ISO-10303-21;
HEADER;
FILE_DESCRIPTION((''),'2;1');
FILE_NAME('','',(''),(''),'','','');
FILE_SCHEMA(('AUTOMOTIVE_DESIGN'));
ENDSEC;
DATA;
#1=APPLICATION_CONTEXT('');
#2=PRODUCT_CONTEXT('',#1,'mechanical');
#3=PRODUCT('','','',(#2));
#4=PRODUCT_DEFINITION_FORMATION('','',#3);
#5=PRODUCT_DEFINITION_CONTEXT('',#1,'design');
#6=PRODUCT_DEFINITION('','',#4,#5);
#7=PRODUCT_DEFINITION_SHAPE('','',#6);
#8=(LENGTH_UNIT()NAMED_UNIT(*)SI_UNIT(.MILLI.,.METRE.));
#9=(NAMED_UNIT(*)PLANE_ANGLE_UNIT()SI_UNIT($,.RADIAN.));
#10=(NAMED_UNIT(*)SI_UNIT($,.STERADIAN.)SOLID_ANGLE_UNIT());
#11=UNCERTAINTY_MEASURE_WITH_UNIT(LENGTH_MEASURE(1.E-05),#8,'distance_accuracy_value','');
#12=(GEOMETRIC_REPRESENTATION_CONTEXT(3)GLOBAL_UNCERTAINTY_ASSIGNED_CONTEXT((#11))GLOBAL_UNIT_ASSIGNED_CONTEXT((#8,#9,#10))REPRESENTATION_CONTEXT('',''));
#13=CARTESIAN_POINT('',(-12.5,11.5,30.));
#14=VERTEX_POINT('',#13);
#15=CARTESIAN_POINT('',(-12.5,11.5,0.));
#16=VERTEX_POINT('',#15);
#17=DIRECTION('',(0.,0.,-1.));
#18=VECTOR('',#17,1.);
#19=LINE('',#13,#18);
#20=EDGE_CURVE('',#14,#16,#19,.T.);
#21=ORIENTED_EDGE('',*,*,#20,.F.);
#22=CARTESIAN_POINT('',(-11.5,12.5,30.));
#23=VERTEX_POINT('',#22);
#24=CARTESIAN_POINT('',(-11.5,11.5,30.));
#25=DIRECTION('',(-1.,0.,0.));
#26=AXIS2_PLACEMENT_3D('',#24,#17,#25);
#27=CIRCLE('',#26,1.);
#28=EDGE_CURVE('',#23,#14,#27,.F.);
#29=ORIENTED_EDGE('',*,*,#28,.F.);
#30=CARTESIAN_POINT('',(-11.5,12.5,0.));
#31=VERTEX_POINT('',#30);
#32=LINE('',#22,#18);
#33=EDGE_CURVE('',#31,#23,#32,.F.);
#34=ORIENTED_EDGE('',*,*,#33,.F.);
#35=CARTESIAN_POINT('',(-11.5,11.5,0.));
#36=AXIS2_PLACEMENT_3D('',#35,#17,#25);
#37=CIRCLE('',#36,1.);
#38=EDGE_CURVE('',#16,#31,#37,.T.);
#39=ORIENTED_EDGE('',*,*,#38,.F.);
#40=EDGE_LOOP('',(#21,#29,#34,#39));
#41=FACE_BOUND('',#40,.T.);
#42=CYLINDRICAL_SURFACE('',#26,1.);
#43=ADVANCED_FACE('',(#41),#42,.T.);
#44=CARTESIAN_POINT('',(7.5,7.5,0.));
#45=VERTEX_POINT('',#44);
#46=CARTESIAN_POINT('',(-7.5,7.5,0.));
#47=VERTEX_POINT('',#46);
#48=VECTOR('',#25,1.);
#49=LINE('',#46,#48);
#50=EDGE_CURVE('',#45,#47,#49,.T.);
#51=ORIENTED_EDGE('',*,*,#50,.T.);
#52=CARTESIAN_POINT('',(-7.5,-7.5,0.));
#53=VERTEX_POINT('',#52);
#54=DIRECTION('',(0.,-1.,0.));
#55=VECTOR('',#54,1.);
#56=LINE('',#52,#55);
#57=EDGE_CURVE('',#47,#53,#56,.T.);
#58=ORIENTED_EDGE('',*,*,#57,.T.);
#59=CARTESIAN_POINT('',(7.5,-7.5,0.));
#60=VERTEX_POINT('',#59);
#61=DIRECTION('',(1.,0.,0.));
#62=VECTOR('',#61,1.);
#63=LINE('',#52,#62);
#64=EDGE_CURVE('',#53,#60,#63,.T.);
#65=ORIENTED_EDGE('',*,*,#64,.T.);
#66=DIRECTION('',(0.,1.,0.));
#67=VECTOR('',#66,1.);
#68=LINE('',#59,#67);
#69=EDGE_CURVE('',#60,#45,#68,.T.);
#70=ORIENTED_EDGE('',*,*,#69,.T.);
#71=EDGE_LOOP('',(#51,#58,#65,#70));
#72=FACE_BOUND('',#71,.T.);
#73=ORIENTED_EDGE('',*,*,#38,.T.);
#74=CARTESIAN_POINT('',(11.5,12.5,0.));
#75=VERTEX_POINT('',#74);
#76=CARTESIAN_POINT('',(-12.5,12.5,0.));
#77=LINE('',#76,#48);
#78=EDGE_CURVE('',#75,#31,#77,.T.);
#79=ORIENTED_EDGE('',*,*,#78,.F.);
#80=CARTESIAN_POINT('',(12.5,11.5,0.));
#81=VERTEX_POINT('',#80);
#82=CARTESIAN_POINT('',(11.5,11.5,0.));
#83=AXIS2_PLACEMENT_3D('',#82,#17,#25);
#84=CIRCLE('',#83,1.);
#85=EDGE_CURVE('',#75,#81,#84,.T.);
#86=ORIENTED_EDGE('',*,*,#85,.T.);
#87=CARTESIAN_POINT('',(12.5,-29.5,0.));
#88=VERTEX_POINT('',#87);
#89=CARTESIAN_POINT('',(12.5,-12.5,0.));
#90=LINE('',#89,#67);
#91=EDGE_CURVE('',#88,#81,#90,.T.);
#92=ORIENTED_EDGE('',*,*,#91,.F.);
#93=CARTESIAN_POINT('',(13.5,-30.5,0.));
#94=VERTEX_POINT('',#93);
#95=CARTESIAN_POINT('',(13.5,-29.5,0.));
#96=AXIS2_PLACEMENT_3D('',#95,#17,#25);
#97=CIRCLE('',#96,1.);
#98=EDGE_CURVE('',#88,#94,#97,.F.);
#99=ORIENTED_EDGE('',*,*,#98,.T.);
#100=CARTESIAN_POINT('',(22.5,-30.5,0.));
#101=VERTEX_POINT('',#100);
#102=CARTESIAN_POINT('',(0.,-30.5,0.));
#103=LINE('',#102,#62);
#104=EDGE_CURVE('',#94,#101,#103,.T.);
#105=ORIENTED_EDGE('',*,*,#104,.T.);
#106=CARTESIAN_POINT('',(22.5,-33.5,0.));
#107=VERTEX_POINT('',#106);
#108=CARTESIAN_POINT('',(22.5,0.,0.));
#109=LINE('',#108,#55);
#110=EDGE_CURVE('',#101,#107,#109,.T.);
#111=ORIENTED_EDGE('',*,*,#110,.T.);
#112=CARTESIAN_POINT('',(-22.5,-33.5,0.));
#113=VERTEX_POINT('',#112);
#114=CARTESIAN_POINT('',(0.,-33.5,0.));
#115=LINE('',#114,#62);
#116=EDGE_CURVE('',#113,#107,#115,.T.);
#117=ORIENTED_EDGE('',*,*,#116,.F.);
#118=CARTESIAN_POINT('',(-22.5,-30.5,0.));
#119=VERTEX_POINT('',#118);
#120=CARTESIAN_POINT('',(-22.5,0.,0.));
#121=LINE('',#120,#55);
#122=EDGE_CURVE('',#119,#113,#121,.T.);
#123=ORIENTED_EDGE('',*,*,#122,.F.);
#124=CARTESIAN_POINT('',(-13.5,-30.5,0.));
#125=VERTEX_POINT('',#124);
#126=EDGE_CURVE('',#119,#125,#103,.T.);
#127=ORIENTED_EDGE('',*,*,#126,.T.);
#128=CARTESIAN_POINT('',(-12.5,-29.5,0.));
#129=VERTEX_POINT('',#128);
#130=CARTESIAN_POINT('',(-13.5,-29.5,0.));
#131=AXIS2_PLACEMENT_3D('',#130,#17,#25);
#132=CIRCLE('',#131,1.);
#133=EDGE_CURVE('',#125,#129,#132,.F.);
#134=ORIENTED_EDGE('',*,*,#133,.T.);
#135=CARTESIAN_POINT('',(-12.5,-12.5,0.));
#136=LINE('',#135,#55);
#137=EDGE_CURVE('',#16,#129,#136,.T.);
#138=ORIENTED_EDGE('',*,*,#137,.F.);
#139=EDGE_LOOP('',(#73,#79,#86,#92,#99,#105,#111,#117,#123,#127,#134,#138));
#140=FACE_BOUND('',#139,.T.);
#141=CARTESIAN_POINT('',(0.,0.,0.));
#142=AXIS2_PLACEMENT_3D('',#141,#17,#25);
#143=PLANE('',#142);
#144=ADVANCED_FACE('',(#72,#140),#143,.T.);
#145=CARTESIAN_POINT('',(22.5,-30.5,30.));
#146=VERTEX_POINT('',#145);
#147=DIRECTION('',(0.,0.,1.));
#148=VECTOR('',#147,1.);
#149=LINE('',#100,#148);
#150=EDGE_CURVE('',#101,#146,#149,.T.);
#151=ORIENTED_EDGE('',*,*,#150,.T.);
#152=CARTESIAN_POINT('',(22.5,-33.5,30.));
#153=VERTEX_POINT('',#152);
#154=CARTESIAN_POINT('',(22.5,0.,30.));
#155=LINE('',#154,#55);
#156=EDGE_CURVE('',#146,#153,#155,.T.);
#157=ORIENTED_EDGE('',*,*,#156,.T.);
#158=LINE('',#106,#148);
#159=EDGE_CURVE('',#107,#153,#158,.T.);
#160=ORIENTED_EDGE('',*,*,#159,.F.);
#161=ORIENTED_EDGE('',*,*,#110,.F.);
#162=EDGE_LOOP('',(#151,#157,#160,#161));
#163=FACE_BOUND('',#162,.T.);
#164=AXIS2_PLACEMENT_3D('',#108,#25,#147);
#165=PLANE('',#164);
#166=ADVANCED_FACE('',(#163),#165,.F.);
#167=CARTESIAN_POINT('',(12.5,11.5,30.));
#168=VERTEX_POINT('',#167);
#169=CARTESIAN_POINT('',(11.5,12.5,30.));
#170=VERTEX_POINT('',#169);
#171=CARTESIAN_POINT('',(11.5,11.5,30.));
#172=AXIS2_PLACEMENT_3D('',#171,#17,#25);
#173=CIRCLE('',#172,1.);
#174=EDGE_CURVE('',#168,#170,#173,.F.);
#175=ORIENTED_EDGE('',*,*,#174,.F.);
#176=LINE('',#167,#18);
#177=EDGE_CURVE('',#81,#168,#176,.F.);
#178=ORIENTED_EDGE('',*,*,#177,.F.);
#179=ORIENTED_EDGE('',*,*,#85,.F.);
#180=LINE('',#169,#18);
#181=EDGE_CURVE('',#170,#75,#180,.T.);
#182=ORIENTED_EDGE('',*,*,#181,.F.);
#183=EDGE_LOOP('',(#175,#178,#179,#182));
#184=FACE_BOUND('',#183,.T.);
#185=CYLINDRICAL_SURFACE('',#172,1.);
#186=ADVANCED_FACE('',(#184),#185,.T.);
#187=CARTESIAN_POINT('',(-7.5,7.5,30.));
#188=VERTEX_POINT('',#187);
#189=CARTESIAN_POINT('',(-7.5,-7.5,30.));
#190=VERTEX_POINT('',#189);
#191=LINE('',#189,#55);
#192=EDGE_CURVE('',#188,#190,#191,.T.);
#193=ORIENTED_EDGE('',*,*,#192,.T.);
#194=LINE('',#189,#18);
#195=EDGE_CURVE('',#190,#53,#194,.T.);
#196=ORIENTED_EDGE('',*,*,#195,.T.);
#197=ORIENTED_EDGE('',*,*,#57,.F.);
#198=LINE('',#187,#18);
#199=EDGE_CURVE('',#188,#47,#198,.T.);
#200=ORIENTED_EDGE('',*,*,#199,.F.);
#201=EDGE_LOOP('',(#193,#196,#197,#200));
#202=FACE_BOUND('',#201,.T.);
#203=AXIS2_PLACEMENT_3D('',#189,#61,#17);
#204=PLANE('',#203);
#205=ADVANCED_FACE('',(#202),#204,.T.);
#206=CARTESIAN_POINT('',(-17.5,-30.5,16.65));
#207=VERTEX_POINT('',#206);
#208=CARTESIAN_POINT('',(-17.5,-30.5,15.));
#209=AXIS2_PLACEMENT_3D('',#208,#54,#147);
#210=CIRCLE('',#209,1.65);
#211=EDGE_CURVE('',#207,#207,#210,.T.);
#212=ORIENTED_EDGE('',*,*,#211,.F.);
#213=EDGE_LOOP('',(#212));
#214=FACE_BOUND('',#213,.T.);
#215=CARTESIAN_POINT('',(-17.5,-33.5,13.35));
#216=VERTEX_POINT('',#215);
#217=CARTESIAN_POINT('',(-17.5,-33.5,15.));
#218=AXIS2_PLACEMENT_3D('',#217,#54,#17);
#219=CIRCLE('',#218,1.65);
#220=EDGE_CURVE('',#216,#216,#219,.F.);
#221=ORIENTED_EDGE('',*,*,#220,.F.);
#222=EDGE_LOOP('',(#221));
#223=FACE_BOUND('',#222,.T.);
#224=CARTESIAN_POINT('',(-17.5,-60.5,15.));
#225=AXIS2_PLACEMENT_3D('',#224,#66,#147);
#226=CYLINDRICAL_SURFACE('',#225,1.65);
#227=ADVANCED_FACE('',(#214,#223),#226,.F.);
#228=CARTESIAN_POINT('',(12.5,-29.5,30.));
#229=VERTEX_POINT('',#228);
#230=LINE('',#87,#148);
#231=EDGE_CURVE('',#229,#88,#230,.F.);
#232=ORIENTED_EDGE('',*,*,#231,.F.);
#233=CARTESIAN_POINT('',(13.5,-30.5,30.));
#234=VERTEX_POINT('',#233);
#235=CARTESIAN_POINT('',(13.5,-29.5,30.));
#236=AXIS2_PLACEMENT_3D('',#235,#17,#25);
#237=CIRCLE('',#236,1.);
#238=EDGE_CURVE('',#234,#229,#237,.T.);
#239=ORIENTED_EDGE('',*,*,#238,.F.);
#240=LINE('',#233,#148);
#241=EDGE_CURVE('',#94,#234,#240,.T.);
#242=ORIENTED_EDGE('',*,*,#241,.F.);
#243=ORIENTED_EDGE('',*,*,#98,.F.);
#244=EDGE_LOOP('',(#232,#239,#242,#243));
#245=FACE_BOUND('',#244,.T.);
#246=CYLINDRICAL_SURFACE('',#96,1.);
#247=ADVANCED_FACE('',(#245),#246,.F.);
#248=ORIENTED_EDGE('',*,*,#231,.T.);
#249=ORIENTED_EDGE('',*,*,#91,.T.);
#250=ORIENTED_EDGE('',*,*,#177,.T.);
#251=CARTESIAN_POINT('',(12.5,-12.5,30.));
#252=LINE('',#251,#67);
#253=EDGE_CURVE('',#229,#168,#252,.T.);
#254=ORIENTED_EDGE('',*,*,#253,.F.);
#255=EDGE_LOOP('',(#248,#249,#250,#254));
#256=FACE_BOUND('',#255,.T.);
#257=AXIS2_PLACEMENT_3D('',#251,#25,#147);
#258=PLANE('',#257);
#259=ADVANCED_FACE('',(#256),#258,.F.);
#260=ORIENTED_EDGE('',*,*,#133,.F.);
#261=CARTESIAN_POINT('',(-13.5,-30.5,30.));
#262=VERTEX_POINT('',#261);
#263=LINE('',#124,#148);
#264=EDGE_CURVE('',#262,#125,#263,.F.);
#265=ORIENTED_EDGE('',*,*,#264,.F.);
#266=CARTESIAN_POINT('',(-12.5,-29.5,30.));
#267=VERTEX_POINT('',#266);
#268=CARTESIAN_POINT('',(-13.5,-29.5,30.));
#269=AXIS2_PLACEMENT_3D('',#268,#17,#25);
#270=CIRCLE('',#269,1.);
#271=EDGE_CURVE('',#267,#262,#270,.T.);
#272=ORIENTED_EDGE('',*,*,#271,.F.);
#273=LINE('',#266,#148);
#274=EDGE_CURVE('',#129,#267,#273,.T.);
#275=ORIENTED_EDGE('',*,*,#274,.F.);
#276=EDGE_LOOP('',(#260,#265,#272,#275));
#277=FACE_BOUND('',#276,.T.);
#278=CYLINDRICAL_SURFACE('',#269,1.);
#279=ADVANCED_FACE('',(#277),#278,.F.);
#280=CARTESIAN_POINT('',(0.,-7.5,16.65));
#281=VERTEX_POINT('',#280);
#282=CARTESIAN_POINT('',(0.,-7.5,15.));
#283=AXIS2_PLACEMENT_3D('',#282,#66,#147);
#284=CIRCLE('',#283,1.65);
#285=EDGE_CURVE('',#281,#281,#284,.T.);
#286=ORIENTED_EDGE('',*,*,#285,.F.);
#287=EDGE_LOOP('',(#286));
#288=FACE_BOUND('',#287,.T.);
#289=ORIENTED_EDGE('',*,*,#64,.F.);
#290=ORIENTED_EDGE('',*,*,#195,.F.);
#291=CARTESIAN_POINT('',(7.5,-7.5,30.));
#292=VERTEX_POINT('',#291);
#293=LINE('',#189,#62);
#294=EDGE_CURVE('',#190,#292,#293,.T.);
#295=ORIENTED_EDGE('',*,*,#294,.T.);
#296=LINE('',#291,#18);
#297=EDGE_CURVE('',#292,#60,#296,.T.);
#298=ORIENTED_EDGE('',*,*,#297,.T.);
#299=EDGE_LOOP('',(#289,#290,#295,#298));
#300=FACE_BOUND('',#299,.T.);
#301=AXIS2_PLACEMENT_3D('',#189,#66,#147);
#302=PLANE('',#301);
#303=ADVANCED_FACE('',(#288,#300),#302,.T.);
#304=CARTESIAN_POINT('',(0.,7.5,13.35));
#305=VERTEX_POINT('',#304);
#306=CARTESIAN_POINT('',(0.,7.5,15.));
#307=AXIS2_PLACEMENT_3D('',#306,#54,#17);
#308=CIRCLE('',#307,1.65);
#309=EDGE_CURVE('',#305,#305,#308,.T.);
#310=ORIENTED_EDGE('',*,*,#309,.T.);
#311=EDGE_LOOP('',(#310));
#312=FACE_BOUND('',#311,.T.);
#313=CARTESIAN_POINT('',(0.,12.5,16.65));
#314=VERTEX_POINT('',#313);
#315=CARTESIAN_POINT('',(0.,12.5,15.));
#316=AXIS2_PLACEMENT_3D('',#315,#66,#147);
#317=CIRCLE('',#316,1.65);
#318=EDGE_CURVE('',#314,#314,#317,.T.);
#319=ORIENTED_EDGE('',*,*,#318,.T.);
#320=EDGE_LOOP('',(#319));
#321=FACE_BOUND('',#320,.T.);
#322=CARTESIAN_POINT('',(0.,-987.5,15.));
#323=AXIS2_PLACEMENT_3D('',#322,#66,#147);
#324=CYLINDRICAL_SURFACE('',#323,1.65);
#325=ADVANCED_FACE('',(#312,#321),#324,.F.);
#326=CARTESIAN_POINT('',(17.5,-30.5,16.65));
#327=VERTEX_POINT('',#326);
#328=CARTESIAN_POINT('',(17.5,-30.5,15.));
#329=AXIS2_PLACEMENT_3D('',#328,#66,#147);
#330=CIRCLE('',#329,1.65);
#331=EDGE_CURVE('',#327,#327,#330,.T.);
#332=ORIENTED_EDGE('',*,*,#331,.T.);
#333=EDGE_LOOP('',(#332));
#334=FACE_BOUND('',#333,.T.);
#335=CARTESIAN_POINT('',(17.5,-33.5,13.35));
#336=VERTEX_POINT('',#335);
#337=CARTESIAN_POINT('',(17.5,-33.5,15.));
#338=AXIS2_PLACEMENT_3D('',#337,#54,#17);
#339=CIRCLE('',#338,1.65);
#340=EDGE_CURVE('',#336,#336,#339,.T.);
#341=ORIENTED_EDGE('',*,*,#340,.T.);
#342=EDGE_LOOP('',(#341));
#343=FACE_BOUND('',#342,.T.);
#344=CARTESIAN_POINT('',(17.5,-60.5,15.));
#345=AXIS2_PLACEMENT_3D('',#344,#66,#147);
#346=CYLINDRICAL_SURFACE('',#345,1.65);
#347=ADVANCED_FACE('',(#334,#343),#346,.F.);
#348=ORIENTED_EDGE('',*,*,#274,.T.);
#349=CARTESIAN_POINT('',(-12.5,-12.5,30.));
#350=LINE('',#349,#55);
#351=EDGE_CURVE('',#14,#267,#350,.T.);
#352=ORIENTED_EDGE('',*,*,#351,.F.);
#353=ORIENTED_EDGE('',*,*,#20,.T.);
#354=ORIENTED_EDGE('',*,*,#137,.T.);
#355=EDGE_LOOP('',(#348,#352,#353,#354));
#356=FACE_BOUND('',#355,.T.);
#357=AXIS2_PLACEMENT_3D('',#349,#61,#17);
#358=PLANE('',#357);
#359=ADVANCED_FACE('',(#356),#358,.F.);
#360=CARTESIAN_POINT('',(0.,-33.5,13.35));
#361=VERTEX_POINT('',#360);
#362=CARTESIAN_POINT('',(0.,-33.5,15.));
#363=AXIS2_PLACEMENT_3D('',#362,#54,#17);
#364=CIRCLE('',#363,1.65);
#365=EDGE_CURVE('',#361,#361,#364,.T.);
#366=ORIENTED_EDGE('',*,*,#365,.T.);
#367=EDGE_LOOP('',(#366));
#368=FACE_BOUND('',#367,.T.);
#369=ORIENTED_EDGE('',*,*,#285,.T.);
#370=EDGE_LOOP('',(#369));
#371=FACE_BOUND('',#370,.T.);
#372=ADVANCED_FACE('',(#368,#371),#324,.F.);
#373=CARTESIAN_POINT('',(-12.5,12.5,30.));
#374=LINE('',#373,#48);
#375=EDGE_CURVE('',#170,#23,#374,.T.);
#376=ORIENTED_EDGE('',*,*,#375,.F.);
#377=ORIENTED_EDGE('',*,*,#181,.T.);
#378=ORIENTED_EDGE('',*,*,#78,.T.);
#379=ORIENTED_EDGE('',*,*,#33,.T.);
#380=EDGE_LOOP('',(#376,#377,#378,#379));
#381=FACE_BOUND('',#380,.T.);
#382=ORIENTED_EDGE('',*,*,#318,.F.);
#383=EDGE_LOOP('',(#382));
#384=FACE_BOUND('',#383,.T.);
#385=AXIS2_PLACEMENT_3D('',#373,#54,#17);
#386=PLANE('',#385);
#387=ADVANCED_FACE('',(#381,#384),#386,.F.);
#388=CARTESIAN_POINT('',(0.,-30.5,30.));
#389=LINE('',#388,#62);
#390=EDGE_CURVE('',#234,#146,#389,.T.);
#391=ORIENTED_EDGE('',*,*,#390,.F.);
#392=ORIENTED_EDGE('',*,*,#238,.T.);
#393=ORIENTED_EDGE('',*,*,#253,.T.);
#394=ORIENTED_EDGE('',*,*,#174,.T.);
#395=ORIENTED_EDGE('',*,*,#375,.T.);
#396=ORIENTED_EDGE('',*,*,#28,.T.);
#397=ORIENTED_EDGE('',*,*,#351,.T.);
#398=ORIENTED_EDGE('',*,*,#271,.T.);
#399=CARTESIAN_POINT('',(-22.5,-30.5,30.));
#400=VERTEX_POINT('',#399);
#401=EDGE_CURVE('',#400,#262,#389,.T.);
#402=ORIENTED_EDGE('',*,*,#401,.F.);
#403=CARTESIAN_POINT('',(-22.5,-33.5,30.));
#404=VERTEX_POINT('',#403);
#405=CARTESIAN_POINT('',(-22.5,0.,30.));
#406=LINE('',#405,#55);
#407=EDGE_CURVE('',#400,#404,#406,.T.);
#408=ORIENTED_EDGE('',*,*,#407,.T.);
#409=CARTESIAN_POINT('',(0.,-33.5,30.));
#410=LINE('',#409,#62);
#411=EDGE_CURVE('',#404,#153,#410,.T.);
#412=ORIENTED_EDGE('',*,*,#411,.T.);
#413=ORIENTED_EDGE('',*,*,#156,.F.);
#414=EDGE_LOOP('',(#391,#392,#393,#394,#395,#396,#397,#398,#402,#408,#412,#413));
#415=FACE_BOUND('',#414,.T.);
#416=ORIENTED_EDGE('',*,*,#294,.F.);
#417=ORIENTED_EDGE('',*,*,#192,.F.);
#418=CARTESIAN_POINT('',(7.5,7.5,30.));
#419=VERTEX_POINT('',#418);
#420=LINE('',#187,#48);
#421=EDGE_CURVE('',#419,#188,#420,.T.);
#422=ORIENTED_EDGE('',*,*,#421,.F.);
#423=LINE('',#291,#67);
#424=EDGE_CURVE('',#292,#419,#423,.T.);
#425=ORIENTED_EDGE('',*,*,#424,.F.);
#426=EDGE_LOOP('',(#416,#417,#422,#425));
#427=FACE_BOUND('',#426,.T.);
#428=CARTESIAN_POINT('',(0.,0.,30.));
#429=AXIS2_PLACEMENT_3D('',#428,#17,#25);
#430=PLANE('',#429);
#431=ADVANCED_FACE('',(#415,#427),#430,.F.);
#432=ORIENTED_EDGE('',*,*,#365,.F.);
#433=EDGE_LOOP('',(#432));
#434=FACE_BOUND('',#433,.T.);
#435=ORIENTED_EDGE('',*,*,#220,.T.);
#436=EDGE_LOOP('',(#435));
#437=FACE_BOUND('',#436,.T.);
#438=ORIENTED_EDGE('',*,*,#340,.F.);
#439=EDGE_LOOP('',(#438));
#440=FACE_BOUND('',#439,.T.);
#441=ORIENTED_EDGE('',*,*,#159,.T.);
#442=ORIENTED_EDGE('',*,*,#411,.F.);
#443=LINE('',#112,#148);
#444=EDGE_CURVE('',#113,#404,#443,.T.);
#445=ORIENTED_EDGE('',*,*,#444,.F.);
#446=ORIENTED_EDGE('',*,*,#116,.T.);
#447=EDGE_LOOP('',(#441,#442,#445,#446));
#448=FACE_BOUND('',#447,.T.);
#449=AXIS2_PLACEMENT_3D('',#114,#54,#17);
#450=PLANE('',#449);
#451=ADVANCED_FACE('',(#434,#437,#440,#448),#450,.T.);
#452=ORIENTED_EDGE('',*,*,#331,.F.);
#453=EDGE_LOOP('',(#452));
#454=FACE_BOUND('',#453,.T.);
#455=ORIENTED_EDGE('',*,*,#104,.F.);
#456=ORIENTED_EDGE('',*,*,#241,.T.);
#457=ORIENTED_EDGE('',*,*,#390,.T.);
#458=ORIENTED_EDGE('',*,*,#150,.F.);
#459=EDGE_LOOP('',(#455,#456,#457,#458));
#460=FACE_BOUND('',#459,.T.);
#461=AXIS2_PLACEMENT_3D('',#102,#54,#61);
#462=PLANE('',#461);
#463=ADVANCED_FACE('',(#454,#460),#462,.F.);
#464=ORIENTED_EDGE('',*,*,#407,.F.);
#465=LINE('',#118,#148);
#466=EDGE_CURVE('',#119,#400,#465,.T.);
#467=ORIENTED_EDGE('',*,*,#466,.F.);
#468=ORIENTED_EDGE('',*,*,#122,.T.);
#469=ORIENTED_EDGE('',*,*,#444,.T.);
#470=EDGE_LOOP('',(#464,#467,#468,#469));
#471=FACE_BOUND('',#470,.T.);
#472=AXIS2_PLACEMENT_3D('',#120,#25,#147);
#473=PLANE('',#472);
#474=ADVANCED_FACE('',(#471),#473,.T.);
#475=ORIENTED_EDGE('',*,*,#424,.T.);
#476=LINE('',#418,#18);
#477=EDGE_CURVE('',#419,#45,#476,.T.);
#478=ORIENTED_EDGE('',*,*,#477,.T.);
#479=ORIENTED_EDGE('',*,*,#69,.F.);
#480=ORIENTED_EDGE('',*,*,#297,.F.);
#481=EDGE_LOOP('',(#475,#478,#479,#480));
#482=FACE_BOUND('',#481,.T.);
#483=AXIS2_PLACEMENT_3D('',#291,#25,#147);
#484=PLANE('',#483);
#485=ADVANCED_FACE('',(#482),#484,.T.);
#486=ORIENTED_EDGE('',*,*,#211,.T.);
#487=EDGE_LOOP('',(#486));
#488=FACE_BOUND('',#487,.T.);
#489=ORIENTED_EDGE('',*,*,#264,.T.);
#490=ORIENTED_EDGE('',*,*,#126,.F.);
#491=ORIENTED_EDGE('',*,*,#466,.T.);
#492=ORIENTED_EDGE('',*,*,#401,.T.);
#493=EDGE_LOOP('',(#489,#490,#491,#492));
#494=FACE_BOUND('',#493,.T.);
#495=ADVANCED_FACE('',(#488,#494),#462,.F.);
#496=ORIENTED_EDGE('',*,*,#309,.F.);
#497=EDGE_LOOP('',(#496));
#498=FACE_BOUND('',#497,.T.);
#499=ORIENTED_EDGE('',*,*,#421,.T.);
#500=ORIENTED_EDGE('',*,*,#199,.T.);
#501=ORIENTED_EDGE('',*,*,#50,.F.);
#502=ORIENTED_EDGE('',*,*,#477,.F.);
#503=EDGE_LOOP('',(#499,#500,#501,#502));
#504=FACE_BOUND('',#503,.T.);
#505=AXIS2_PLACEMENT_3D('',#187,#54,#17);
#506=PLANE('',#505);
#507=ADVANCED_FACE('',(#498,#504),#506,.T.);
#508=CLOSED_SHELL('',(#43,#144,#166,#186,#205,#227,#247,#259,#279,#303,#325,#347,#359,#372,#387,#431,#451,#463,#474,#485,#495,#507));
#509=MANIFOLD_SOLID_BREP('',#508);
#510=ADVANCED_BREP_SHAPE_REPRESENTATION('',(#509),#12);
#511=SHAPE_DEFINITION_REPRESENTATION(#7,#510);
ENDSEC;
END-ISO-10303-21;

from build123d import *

# Parameters (mm, degrees)
SKETCH_1_W          = 25
SKETCH_1_H          = 25
SKETCH_1_W_2        = 15
SKETCH_1_H_2        = 15
EXTRUDE_1_DEPTH     = 30
SKETCH_2_W          = 25
SKETCH_2_H          = 18
SKETCH_2_W_2        = 10
SKETCH_2_H_2        = 3
EXTRUDE_2_DEPTH     = 30
SKETCH_3_R          = 1.65
CUT_EXTRUDE_1_DEPTH = 30
SKETCH_4_R          = 1.65
CUT_EXTRUDE_2_DEPTH = 1000
FILLET_1_R          = 1


with BuildPart() as part:
    # 草图1 → 凸台-拉伸1 (new body)
    with BuildSketch(Plane.XY):
        Rectangle(SKETCH_1_W, SKETCH_1_H)
        Rectangle(SKETCH_1_W_2, SKETCH_1_H_2, mode=Mode.SUBTRACT)
    extrude(amount=EXTRUDE_1_DEPTH)

    # 草图2 → 凸台-拉伸2 (add)
    with BuildSketch(Plane.XY.offset(30)):
        with Locations((0, -21.5)):
            Rectangle(SKETCH_2_W, SKETCH_2_H)
        with Locations((-17.5, -32)):
            Rectangle(SKETCH_2_W_2, SKETCH_2_H_2)
        with Locations((0, -32)):
            Rectangle(SKETCH_2_W, SKETCH_2_H_2)
        with Locations((17.5, -32)):
            Rectangle(SKETCH_2_W_2, SKETCH_2_H_2)
    extrude(amount=-EXTRUDE_2_DEPTH)

    # 草图3 → 切除-拉伸1 (cut)
    with BuildSketch(Plane(origin=(0, -30.5, 0), x_dir=(1, 0, 0), z_dir=(0, 1, 0))):
        with Locations(Location((17.5, -15, 0), (0, 0, 270))):
            Circle(SKETCH_3_R)
    cut_extrude_1 = extrude(amount=-CUT_EXTRUDE_1_DEPTH, mode=Mode.SUBTRACT)

    # 镜向1: 切除-拉伸1 across plane
    add(cut_extrude_1.mirror(Plane(origin=(0, 0, 0), x_dir=(0, 0, 1), z_dir=(1, 0, 0))), mode=Mode.SUBTRACT)

    # 草图4 → 切除-拉伸2 (cut)
    with BuildSketch(Plane(origin=(0, 12.5, 0), x_dir=(1, 0, 0), z_dir=(0, 1, 0))):
        with Locations(Location((0, -15, 0), (0, 0, 270))):
            Circle(SKETCH_4_R)
    extrude(amount=-CUT_EXTRUDE_2_DEPTH, mode=Mode.SUBTRACT)

    # 圆角1
    fillet_1_edges = [part.edges().sort_by_distance(p)[0] for p in [
        (-12.5, -30.5, 15),
        (12.5, -30.5, 15),
        (-12.5, 12.5, 15),
        (12.5, 12.5, 15),
    ]]
    fillet(fillet_1_edges, radius=FILLET_1_R)


solid = part.part
